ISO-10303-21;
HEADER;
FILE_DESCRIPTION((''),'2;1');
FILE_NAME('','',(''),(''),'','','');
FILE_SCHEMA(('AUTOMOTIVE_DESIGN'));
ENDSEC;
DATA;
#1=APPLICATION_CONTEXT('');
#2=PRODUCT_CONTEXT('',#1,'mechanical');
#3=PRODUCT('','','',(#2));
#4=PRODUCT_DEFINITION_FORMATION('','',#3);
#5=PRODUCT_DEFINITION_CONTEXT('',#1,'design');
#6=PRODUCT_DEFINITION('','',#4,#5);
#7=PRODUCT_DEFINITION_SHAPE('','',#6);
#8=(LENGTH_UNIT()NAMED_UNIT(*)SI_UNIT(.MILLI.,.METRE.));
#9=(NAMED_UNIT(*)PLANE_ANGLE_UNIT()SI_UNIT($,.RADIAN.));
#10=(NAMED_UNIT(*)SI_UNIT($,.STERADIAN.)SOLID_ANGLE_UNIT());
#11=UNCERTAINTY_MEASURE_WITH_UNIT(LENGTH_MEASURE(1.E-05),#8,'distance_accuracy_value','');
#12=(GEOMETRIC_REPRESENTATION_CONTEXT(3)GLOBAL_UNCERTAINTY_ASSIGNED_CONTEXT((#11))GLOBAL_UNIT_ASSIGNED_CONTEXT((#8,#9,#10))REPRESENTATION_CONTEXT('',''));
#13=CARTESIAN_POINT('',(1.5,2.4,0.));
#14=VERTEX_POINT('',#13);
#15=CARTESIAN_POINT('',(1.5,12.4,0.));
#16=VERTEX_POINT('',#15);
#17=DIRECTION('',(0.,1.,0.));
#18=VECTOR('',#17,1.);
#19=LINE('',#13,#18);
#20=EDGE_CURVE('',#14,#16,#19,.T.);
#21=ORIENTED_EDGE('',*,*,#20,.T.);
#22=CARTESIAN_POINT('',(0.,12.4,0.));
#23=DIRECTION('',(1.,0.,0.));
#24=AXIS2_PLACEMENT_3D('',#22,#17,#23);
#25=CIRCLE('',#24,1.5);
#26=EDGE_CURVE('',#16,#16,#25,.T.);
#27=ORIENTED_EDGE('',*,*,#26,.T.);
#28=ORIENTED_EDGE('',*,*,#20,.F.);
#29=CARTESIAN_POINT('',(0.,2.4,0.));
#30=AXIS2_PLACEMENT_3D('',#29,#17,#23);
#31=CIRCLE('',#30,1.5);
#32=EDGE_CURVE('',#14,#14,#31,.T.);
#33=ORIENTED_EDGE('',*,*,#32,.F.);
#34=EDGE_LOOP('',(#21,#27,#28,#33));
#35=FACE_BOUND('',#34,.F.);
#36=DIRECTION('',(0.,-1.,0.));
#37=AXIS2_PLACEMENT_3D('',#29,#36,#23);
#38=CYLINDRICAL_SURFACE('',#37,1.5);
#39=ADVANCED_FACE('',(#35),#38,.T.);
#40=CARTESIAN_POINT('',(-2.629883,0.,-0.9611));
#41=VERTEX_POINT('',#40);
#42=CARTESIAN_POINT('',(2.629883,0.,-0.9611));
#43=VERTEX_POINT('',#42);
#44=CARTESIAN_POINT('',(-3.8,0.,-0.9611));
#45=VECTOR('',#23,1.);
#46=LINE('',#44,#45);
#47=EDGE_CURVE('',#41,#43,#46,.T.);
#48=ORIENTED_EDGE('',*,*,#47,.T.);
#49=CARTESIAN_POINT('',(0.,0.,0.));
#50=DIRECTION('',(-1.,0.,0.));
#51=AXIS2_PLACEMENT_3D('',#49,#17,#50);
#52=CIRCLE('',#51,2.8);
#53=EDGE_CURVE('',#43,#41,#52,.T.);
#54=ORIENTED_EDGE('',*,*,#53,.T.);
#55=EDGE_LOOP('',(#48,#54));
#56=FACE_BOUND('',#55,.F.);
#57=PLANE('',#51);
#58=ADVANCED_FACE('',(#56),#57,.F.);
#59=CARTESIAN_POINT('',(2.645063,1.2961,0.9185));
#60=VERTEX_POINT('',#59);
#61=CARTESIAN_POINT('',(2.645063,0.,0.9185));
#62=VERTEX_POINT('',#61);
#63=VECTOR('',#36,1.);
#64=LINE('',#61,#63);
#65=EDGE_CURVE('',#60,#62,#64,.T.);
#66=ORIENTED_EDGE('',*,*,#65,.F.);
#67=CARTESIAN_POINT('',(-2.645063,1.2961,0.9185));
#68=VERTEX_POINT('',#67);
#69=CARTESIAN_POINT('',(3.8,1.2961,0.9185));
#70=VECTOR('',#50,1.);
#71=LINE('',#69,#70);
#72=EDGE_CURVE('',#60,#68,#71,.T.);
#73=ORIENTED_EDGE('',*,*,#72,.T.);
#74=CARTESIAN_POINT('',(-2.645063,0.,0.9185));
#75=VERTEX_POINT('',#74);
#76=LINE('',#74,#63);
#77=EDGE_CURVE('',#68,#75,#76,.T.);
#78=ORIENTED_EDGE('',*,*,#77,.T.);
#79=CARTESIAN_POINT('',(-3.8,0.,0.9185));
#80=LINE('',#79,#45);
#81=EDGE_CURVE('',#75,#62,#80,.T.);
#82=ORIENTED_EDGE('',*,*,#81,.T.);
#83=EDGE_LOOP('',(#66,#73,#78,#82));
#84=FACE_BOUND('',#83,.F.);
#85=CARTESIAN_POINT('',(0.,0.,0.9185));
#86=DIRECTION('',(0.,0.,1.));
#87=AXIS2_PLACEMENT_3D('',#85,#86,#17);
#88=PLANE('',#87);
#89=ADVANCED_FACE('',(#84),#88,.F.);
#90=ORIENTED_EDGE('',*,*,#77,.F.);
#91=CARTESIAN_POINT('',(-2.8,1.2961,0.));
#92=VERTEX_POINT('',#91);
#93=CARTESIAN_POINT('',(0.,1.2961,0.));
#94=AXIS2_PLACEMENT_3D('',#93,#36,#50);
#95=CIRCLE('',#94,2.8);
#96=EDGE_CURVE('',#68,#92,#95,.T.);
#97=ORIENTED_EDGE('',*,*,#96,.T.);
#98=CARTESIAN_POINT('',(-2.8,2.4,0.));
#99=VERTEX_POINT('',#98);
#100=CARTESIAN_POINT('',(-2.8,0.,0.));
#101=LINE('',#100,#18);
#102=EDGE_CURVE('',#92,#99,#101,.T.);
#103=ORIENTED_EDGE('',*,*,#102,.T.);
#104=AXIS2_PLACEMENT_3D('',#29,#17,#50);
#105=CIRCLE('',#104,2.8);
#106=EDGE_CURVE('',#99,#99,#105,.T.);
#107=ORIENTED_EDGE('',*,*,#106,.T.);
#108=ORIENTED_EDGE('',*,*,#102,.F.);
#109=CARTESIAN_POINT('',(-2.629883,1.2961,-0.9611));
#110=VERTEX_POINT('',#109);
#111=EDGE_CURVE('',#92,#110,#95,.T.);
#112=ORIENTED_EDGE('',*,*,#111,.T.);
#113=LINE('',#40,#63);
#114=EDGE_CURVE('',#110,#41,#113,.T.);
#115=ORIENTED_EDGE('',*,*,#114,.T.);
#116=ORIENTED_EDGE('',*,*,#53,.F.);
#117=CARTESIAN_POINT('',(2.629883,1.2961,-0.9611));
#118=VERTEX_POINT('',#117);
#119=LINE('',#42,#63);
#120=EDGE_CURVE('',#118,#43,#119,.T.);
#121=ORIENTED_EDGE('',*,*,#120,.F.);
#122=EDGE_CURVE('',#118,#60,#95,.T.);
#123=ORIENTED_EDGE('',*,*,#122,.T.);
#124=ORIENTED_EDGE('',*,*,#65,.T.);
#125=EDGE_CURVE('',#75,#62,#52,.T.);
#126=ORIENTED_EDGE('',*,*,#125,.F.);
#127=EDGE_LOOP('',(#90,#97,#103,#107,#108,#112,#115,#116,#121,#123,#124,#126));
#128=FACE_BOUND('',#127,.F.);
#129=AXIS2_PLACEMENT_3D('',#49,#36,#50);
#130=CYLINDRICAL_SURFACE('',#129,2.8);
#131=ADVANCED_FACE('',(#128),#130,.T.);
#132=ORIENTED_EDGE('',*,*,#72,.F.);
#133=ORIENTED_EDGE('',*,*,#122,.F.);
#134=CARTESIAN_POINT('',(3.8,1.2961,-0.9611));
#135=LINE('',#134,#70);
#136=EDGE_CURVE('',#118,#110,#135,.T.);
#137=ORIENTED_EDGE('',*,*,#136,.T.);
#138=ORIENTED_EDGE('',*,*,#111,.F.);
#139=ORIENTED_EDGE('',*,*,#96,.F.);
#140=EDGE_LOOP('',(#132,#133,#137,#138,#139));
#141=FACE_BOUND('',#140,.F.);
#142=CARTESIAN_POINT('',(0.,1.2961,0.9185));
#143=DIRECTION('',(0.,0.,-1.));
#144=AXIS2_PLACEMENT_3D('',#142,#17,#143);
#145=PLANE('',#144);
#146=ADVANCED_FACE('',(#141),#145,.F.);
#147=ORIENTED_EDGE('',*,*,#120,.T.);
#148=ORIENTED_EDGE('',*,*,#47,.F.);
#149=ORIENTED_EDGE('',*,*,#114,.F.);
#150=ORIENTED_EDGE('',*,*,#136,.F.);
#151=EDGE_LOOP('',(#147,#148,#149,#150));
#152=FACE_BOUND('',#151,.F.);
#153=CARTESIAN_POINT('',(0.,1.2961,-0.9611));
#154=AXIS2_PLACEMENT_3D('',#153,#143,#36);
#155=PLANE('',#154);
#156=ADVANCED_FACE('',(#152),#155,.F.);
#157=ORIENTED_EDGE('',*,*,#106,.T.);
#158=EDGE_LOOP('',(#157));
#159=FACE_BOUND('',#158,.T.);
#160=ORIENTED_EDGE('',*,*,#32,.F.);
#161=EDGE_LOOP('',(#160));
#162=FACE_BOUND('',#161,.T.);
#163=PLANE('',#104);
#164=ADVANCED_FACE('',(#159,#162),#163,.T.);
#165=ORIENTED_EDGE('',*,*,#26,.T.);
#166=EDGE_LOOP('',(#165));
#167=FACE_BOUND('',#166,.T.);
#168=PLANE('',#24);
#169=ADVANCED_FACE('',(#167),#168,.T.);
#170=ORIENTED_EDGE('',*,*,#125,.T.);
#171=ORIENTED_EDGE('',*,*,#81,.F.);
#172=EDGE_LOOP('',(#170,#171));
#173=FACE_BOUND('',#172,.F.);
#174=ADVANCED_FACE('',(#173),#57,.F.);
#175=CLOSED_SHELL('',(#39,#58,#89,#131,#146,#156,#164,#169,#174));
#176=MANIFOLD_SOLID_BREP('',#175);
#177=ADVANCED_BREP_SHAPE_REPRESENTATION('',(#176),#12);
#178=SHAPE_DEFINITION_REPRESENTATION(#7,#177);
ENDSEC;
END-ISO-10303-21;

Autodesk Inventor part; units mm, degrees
ref_plane "YZ Plane" through (0, 0, 0) normal (1, 0, 0) x (0, 1, 0)
ref_plane "XZ Plane" through (0, 0, 0) normal (0, 1, 0) x (-1, 0, 0)
ref_plane "XY Plane" through (0, 0, 0) normal (0, 0, 1) x (1, 0, 0)
sketch "Esboço1" plane through (0, 0, 0) normal (0, 1, 0) x (-1, 0, 0)
  circle A0 centre (0, 0) radius 2.8
  dimension "d0" = 5.6
extrude "Extrusão1" add sketch "Esboço1" along normal blind 2.4
sketch "Esboço2" plane through (0, 0, 0) normal (1, 0, 0) x (0, 1, 0)
  line L0 (0, 0.9185) -> (1.2961, 0.9185)
  line L1 (1.2961, 0.9185) -> (1.2961, -0.9611)
  line L2 (1.2961, -0.9611) -> (0, -0.9611)
  line L3 (0, -0.9611) -> (0, 0.9185)
  point P0 (0, 0)
extrude "Extrusão2" cut sketch "Esboço2" along normal through all both and the other way through all
sketch "Esboço3" plane through (0, 2.4, 0) normal (0, 1, 0) x (1, 0, 0)
  circle A0 centre (0, 0) radius 2.8 projected
  circle A1 centre (0, 0) radius 1.5
  dimension "d5" = 3
extrude "Extrusão3" add sketch "Esboço3" along normal blind 10 contours A1
thread "Rosca1" size "M3x0.5" class "6g" standard "ANSI Metric M Profile" full length
properties part number "AA-Parafuso-M3-30"
